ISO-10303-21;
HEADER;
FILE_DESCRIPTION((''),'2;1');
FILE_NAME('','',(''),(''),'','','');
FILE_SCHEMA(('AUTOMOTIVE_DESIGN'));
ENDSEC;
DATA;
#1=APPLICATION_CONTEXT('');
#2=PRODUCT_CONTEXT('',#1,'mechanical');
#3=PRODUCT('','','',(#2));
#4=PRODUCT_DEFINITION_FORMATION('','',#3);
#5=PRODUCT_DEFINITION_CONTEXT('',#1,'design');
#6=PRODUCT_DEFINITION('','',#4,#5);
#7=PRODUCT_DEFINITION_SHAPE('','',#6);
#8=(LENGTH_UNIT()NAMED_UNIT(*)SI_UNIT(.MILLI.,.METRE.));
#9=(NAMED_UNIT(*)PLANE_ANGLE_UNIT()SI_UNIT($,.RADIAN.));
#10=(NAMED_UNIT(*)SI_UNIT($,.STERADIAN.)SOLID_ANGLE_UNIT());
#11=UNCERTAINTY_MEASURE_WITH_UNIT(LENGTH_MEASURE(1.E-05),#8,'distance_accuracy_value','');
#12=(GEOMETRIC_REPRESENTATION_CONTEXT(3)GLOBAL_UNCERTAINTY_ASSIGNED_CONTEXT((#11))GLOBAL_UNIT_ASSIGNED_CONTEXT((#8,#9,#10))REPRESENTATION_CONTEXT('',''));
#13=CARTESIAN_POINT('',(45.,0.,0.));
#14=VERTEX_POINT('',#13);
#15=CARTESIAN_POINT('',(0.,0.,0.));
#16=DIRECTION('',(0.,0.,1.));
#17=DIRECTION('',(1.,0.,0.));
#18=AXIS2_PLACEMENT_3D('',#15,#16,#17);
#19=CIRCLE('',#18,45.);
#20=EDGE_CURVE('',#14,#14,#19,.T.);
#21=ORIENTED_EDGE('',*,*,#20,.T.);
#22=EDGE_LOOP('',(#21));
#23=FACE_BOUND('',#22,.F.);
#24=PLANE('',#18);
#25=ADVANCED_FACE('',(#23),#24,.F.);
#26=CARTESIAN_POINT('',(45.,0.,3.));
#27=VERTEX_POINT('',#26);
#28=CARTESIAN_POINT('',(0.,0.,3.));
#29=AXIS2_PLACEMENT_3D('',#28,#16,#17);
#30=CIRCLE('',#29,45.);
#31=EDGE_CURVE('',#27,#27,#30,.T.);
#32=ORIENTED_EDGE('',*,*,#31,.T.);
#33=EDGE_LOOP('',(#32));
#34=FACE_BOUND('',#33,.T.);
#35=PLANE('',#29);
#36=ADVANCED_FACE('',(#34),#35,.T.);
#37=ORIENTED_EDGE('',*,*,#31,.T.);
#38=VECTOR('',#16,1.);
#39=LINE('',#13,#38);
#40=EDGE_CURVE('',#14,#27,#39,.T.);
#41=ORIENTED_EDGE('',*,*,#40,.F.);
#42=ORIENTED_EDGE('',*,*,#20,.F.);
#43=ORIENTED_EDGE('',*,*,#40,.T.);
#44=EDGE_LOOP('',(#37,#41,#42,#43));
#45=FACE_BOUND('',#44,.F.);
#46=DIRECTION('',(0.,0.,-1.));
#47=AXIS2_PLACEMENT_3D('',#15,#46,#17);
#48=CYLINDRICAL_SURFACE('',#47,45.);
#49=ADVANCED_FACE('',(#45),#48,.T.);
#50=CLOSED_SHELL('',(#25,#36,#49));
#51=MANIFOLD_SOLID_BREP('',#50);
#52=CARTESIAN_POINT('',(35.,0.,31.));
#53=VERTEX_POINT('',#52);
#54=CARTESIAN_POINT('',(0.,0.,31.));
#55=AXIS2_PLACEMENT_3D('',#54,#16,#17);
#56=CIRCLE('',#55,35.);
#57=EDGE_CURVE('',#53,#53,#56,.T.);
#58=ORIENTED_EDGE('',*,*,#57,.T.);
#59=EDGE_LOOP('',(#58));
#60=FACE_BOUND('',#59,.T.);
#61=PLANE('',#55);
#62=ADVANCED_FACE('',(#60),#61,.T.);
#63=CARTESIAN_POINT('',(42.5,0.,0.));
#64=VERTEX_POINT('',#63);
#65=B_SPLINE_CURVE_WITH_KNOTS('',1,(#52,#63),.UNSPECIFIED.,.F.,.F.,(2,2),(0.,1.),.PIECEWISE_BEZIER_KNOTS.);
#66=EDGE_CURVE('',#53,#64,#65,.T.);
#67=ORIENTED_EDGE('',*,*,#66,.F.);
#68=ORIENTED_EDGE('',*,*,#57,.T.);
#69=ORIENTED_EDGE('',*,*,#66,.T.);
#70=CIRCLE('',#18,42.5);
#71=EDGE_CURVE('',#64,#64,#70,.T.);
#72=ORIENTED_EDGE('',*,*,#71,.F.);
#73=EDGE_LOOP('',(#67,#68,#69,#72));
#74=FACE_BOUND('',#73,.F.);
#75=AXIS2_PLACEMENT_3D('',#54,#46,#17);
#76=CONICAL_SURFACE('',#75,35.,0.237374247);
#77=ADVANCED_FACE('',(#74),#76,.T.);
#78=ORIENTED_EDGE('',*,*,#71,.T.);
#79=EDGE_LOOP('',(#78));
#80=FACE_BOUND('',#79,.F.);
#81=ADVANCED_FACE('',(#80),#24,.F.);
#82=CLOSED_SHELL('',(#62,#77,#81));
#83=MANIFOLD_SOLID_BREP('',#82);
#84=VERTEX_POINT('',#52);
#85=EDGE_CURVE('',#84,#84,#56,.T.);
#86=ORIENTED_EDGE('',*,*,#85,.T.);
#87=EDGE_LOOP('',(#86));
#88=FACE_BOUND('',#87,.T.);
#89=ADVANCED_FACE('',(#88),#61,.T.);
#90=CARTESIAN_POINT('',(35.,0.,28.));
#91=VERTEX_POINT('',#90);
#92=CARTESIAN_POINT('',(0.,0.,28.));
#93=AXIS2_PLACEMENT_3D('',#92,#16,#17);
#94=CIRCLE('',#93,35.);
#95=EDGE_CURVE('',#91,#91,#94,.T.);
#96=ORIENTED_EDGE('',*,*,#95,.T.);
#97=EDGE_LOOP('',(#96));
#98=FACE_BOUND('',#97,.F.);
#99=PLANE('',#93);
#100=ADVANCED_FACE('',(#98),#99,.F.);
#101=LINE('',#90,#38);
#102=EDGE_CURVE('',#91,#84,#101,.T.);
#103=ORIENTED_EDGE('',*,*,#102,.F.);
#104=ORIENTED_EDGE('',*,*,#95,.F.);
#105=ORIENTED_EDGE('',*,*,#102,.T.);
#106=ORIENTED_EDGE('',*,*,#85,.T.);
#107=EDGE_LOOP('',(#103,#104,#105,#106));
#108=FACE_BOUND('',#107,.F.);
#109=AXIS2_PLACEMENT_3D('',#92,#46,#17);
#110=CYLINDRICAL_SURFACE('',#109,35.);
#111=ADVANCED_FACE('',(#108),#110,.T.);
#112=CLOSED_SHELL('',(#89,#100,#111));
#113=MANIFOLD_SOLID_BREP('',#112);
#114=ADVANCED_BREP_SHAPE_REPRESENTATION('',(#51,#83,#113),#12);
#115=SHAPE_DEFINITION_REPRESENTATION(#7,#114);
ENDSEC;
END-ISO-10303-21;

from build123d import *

# Parameters (mm, degrees)
F0_R      = 45
F0_R_2    = 42.5
F1_DEPTH  = 3
F3_R      = 35
F4_DEPTH  = 3
F4_FACE_R = 35


with BuildPart() as f1:
    # F0 (on Top) → F1 (new body)
    with BuildSketch(Plane.XY):
        Circle(F0_R)
        Circle(F0_R_2, mode=Mode.SUBTRACT)
        Circle(F0_R_2)
    extrude(amount=F1_DEPTH)


with BuildPart() as f4:
    # F3 (on offset) → F4 (new body)
    with BuildSketch(Plane.XY.offset(28)):
        Circle(F3_R)
    extrude(amount=F4_DEPTH)


with BuildPart() as f5:
    # F4_face (on face) → F5 section 0
    with BuildSketch(Plane.XY.offset(31)):
        Circle(F4_FACE_R)
    # F0 (on Top) → F5 section 1
    with BuildSketch(Plane.XY):
        Circle(F0_R_2)
    loft()


solid = Compound([f1.part, f4.part, f5.part])
